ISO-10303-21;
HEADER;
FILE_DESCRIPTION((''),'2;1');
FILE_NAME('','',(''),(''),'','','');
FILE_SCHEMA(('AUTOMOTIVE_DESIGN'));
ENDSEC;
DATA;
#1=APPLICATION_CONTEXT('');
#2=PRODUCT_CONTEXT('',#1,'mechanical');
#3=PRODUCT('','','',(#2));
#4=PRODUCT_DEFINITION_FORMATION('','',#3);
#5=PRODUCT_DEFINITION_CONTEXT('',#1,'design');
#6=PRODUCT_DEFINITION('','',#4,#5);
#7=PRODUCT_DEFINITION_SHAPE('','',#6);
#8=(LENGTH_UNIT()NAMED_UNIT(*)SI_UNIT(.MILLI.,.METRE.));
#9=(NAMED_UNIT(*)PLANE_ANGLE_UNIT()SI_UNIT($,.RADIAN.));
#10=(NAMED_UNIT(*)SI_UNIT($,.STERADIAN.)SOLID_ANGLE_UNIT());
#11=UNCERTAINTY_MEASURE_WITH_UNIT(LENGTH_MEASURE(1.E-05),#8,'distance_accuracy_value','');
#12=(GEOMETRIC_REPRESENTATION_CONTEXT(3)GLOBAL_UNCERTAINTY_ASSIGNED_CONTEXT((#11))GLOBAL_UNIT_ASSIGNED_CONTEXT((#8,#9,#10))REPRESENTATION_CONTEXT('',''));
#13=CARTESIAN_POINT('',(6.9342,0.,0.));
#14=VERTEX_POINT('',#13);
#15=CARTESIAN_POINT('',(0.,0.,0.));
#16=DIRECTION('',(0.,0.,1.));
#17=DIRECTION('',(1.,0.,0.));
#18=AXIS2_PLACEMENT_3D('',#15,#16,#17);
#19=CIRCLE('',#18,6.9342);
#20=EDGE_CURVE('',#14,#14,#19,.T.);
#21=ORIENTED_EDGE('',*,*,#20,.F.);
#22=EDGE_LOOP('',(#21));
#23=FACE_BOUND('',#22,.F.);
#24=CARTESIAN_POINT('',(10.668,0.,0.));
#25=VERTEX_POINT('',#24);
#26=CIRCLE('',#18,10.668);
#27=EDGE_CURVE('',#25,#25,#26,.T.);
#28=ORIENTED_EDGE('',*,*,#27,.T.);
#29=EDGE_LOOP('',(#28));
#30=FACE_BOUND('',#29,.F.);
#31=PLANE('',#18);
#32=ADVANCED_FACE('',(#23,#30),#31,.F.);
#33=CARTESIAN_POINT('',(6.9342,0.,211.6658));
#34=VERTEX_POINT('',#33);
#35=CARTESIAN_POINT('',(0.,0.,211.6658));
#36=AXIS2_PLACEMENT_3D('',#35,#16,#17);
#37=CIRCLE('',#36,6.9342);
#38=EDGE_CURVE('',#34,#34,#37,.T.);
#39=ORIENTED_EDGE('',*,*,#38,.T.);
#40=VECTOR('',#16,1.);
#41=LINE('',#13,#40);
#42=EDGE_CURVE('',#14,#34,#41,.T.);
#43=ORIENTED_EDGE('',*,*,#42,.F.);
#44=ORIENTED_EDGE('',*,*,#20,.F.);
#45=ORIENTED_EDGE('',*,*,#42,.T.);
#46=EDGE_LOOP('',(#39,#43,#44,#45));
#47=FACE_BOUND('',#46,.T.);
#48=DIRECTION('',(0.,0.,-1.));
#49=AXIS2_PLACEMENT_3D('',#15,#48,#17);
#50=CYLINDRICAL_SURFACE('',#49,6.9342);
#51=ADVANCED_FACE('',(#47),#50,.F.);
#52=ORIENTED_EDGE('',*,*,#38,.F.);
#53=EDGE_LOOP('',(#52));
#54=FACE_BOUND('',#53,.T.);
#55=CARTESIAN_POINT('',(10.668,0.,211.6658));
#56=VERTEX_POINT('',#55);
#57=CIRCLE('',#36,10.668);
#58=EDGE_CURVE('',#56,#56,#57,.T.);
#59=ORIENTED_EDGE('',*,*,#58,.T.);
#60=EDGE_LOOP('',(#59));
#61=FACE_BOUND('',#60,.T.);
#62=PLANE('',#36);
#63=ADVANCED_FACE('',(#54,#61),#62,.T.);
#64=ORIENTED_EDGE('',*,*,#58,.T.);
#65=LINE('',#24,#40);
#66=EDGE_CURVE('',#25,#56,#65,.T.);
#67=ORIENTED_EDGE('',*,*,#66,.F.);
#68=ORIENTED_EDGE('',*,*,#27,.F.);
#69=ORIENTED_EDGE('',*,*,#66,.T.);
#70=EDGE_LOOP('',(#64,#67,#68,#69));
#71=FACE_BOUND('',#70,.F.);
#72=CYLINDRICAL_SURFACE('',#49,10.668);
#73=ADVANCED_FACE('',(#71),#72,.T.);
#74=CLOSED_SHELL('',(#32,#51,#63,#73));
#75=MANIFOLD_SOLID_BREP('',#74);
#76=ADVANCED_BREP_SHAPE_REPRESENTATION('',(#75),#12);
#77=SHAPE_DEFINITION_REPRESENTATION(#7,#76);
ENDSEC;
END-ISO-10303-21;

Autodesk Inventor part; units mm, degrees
ref_plane "YZ Plane" through (0, 0, 0) normal (1, 0, 0) x (0, 1, 0)
ref_plane "Start Plane" through (0, 0, 0) normal (0, 0, 1) x (1, 0, 0)
ref_plane "End Plane" through (0, 0, 211.6658) normal (0, 0, 1) x (1, 0, 0)
sketch "Sketch" plane through (0, 0, 0) normal (0, 0, 1) x (1, 0, 0)
  circle A0 centre (0, 0) radius 6.9342
  circle A1 centre (0, 0) radius 10.668
  dimension "d0" = 21.336
  dimension "d1" = 3.7338
extrude "Body" add sketch "Sketch" along normal up to surface (211.6658 mm away) from surface at 0
sketch "Sketch3" plane through (0, 0, 0) normal (0, 0, 1) x (1, 0, 0)
  line L0 (0, 0) -> (10, 0)
ref_plane "Work Plane3" through (0, 0, 0) normal (0, -1, 0) x (1, 0, 0)
sketch "Sketch4" plane through (0, 0, 0) normal (0, -1, 0) x (1, 0, 0)
  line L0 (-2, 0) -> (12, 0)
  line L1 (-2, 211.6658) -> (12, 211.6658)
  dimension "d7" = 211.6659
equation "\"d0\" = G_H"
equation "\"d1\" = G_T"
equation "\"d2\" = G_L"
equation "\"G_H\" = 21.336"
equation "\"G_T\" = 3.7338"
equation "\"G_L\" = d7"
equation "\"G_OFFSET_START\" = 0"
equation "\"G_OFFSET_END\" = 0"
equation "\"d5\" = G_OFFSET_END + B_L"
equation "\"B_L\" = 211.66585"
properties part number "ANSI - 1/2 x 0.147 - 8.333" material "Steel, Mild"
